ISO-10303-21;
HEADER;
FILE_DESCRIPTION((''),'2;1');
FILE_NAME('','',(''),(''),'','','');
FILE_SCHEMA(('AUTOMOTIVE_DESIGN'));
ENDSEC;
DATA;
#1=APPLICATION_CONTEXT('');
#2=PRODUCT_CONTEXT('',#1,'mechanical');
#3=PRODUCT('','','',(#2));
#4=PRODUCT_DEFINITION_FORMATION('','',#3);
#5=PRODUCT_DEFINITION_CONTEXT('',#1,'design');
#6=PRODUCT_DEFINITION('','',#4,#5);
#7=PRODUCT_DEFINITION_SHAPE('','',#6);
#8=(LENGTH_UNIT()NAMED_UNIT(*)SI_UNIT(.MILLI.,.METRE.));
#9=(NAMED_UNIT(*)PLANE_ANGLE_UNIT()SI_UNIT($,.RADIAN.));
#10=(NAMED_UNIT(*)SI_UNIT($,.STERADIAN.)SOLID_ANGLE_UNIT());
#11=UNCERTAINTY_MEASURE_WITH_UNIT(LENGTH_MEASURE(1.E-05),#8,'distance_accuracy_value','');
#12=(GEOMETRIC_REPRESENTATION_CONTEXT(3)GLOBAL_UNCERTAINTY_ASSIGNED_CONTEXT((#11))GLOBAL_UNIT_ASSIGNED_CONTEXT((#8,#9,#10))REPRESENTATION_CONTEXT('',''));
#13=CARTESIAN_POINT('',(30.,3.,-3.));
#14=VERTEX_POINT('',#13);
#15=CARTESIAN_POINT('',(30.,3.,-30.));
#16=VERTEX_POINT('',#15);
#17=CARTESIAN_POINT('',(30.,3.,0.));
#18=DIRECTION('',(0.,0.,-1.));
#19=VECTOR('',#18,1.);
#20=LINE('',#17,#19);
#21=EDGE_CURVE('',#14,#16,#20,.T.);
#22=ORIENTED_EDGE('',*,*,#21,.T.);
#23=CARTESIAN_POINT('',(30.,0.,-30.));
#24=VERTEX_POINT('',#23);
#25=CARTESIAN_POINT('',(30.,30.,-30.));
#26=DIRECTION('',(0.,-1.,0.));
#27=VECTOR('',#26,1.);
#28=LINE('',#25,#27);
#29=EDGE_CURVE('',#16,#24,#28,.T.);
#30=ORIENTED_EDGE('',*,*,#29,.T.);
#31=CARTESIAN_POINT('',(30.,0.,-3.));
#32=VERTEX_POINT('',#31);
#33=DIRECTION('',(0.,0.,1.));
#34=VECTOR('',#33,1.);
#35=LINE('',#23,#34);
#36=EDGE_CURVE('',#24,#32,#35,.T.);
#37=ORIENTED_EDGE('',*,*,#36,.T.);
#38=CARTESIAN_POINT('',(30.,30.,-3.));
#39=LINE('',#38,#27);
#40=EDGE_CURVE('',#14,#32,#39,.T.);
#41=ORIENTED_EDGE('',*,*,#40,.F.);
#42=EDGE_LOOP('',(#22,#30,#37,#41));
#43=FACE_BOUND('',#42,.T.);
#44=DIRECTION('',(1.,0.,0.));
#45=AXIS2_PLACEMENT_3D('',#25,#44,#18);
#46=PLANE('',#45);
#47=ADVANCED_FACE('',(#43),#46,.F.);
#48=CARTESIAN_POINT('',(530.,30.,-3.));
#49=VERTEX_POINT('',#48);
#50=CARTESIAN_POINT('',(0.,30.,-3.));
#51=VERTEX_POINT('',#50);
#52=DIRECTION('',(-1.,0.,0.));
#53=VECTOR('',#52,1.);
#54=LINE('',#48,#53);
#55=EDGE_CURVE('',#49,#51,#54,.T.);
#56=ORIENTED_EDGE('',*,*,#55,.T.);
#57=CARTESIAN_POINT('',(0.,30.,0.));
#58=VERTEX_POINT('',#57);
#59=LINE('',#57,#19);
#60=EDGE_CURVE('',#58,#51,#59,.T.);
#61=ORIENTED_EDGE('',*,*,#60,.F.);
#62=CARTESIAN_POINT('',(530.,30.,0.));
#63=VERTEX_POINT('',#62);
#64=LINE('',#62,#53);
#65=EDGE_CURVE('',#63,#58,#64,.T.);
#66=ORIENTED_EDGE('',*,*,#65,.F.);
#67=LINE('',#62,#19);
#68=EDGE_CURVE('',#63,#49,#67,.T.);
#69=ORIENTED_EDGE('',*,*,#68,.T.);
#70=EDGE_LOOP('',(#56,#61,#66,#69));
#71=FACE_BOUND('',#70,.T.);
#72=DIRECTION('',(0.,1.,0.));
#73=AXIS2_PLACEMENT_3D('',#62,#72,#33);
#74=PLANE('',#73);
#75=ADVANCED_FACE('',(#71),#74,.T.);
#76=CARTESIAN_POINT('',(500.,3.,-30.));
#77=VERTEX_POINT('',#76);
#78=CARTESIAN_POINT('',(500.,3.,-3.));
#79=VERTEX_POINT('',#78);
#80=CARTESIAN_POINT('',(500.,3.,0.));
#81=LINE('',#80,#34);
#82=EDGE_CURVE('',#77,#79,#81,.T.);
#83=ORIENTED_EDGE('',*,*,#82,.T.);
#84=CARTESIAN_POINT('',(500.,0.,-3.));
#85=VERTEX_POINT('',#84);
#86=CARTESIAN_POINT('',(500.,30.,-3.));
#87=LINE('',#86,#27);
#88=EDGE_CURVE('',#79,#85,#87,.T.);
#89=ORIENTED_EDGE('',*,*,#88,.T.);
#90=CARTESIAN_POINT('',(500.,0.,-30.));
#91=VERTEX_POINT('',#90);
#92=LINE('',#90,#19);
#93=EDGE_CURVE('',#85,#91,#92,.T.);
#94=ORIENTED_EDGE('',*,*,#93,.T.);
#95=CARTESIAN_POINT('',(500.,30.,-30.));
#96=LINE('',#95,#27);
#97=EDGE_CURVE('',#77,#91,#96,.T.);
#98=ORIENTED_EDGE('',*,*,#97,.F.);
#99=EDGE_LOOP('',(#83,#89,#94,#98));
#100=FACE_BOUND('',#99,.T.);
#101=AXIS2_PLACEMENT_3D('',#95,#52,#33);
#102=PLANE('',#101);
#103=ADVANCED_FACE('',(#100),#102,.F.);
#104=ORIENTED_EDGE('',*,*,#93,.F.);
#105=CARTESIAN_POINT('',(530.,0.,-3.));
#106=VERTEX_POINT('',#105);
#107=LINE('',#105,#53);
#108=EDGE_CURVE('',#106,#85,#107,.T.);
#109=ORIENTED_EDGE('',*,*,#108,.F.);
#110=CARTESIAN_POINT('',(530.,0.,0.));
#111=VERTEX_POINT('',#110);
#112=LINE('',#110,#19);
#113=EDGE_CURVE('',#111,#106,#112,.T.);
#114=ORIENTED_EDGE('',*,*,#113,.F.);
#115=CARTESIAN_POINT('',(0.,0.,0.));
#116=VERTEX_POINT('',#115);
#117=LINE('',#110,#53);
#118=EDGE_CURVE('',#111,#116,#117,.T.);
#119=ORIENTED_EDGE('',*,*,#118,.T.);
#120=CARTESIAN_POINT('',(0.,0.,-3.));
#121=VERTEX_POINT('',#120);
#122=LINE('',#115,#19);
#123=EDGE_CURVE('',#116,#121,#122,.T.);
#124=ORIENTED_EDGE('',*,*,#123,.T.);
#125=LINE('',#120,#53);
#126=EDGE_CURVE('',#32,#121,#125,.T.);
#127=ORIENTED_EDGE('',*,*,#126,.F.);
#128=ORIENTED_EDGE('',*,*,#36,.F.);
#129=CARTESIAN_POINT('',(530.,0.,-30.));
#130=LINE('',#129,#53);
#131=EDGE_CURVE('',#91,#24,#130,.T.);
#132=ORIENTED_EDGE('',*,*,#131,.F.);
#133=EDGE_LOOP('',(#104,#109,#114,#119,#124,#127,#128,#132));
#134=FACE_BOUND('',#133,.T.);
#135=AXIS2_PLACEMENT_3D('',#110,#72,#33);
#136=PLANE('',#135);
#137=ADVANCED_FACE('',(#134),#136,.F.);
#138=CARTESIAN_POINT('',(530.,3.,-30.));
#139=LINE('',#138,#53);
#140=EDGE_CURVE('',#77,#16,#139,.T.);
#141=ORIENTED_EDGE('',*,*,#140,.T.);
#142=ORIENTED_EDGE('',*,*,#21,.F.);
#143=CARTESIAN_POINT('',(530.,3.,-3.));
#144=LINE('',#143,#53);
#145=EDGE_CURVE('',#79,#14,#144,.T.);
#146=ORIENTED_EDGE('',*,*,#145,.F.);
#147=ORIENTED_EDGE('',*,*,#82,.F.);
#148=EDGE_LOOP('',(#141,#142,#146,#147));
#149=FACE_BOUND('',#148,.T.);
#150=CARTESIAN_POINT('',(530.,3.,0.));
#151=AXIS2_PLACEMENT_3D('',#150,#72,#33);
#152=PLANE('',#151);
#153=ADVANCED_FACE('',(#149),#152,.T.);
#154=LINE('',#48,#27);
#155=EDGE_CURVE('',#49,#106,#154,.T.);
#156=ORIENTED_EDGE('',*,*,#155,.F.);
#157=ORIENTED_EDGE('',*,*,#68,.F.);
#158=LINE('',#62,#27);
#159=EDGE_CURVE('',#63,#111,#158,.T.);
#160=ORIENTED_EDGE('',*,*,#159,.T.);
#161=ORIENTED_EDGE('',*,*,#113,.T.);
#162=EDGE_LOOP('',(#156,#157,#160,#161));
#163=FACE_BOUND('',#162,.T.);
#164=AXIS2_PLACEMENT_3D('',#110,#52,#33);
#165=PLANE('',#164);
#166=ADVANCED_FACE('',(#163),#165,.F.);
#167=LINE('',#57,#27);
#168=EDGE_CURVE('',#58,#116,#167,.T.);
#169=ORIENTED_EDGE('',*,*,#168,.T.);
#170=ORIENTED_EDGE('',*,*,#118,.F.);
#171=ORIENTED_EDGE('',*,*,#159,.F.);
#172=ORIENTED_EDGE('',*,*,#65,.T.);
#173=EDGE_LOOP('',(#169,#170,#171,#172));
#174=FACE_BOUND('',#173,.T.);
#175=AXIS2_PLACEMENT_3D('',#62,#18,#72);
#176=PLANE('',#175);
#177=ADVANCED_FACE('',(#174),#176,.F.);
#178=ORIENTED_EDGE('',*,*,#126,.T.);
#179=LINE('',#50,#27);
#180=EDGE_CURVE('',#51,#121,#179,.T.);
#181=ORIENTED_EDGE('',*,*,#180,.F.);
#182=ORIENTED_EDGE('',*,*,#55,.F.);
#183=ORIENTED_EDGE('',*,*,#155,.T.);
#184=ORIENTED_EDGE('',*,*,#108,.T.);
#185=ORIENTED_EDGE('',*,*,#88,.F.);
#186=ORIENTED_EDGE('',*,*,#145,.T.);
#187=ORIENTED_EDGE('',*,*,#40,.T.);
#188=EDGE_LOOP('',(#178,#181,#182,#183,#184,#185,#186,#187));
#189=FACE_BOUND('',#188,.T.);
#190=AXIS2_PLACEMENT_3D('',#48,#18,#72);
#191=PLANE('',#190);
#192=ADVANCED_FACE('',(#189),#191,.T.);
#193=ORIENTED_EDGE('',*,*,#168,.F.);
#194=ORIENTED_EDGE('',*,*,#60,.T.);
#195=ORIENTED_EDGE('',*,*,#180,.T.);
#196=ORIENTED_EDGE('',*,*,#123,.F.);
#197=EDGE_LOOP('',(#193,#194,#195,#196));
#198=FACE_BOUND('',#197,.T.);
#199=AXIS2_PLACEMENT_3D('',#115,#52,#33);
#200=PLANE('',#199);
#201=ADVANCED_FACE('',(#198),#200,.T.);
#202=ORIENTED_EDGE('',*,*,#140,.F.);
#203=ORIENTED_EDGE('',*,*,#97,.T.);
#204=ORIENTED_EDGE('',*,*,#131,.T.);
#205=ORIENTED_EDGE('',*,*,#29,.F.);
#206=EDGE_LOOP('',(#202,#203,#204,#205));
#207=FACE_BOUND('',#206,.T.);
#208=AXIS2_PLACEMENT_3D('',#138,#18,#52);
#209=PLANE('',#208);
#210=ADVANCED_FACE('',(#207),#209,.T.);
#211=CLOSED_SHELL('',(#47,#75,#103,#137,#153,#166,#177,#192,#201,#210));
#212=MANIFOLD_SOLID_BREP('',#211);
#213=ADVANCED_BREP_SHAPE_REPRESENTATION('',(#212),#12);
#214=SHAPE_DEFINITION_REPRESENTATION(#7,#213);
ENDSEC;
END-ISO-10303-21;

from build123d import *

# Parameters (mm, degrees)
EXTRUDE_1_DEPTH     = 530
SKETCH_2_W          = 30
SKETCH_2_H          = 27
CUT_EXTRUDE_1_DEPTH = 532.695401522


with BuildPart() as part:
    # Эскиз1 → Вытянуть-Тонкостенный1 (new body)
    with BuildSketch(Plane(origin=(0, 0, 0), x_dir=(0, 0, -1), z_dir=(1, 0, 0))):
        Polygon((0, 30), (0, 0), (30, 0), (30, 3), (3, 3), (3, 30), align=None)
    extrude(amount=EXTRUDE_1_DEPTH)

    # Эскиз2 → Вырез-Вытянуть1 (cut, through all)
    with BuildSketch(Plane.XZ):
        with Locations((515, -16.5)):
            Rectangle(SKETCH_2_W, SKETCH_2_H)
        with Locations((15, -16.5)):
            Rectangle(SKETCH_2_W, SKETCH_2_H)
    extrude(amount=-CUT_EXTRUDE_1_DEPTH, mode=Mode.SUBTRACT)


solid = part.part
